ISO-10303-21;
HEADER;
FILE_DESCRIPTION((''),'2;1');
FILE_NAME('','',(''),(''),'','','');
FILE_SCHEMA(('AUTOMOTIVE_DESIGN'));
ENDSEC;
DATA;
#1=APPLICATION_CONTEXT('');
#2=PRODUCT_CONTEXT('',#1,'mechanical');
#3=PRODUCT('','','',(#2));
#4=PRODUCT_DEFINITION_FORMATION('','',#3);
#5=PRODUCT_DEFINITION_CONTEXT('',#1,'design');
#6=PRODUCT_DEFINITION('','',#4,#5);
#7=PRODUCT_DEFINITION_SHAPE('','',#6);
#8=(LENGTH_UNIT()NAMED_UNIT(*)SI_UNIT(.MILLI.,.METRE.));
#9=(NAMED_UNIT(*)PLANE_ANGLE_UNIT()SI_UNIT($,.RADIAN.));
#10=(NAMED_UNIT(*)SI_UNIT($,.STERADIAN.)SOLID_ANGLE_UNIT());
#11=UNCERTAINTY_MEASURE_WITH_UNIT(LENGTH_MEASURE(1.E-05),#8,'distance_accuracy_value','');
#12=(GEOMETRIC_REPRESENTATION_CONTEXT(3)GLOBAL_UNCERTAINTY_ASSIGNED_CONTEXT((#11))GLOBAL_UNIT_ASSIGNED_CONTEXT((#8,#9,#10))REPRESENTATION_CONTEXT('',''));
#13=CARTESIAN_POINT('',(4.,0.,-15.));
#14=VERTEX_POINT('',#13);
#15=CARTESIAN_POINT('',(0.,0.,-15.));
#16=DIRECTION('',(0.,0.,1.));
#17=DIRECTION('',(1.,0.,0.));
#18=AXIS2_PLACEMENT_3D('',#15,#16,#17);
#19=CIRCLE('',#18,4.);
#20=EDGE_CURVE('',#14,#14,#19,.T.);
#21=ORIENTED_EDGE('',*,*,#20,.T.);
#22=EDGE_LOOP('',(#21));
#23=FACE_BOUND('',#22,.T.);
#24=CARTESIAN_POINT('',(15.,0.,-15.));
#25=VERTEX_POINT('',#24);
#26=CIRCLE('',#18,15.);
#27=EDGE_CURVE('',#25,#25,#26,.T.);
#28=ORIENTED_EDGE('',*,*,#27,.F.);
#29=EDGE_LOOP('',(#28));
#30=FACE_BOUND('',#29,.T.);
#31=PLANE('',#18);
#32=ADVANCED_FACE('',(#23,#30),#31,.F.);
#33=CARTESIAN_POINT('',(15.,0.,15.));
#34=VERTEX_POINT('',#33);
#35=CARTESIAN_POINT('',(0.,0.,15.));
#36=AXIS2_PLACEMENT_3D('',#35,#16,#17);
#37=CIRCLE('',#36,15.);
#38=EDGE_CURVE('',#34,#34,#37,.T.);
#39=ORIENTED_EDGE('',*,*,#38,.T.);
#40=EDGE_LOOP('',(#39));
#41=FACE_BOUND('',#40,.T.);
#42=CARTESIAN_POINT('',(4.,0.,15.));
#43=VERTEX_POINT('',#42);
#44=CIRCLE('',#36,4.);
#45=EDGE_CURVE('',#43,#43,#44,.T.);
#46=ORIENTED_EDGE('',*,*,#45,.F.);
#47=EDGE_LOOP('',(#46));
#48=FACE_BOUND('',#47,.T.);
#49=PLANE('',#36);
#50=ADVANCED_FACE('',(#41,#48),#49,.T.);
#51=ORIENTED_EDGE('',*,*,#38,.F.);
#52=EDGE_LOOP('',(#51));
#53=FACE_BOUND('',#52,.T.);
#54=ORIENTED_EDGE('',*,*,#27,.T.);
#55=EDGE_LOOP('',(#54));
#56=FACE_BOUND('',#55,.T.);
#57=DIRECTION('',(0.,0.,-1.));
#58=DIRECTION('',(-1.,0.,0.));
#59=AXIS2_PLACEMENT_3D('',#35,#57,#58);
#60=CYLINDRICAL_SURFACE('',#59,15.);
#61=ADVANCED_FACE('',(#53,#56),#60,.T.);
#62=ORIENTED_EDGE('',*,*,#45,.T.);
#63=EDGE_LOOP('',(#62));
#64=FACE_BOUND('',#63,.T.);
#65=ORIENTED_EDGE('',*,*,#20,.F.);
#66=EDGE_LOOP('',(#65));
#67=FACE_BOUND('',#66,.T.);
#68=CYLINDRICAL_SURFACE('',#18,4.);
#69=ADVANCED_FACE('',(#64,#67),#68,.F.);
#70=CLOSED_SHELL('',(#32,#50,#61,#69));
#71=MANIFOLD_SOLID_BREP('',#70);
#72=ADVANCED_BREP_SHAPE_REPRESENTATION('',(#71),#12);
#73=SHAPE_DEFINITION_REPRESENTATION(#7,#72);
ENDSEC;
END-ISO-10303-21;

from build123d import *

# Parameters (mm, degrees)
SKETCH1_R          = 15
EXTRUDE1_DEPTH     = 15
SKETCH2_R          = 4
CUT_EXTRUDE1_DEPTH = 15


with BuildPart() as part:
    # Sketch1 → Extrude1 (new, symmetric)
    with BuildSketch(Plane.XY):
        Circle(SKETCH1_R)
    extrude(amount=EXTRUDE1_DEPTH, both=True)

    # Sketch2 → Cut-Extrude1 (cut, symmetric)
    with BuildSketch(Plane.XY):
        Circle(SKETCH2_R)
    extrude(amount=CUT_EXTRUDE1_DEPTH, both=True, mode=Mode.SUBTRACT)


solid = part.part
